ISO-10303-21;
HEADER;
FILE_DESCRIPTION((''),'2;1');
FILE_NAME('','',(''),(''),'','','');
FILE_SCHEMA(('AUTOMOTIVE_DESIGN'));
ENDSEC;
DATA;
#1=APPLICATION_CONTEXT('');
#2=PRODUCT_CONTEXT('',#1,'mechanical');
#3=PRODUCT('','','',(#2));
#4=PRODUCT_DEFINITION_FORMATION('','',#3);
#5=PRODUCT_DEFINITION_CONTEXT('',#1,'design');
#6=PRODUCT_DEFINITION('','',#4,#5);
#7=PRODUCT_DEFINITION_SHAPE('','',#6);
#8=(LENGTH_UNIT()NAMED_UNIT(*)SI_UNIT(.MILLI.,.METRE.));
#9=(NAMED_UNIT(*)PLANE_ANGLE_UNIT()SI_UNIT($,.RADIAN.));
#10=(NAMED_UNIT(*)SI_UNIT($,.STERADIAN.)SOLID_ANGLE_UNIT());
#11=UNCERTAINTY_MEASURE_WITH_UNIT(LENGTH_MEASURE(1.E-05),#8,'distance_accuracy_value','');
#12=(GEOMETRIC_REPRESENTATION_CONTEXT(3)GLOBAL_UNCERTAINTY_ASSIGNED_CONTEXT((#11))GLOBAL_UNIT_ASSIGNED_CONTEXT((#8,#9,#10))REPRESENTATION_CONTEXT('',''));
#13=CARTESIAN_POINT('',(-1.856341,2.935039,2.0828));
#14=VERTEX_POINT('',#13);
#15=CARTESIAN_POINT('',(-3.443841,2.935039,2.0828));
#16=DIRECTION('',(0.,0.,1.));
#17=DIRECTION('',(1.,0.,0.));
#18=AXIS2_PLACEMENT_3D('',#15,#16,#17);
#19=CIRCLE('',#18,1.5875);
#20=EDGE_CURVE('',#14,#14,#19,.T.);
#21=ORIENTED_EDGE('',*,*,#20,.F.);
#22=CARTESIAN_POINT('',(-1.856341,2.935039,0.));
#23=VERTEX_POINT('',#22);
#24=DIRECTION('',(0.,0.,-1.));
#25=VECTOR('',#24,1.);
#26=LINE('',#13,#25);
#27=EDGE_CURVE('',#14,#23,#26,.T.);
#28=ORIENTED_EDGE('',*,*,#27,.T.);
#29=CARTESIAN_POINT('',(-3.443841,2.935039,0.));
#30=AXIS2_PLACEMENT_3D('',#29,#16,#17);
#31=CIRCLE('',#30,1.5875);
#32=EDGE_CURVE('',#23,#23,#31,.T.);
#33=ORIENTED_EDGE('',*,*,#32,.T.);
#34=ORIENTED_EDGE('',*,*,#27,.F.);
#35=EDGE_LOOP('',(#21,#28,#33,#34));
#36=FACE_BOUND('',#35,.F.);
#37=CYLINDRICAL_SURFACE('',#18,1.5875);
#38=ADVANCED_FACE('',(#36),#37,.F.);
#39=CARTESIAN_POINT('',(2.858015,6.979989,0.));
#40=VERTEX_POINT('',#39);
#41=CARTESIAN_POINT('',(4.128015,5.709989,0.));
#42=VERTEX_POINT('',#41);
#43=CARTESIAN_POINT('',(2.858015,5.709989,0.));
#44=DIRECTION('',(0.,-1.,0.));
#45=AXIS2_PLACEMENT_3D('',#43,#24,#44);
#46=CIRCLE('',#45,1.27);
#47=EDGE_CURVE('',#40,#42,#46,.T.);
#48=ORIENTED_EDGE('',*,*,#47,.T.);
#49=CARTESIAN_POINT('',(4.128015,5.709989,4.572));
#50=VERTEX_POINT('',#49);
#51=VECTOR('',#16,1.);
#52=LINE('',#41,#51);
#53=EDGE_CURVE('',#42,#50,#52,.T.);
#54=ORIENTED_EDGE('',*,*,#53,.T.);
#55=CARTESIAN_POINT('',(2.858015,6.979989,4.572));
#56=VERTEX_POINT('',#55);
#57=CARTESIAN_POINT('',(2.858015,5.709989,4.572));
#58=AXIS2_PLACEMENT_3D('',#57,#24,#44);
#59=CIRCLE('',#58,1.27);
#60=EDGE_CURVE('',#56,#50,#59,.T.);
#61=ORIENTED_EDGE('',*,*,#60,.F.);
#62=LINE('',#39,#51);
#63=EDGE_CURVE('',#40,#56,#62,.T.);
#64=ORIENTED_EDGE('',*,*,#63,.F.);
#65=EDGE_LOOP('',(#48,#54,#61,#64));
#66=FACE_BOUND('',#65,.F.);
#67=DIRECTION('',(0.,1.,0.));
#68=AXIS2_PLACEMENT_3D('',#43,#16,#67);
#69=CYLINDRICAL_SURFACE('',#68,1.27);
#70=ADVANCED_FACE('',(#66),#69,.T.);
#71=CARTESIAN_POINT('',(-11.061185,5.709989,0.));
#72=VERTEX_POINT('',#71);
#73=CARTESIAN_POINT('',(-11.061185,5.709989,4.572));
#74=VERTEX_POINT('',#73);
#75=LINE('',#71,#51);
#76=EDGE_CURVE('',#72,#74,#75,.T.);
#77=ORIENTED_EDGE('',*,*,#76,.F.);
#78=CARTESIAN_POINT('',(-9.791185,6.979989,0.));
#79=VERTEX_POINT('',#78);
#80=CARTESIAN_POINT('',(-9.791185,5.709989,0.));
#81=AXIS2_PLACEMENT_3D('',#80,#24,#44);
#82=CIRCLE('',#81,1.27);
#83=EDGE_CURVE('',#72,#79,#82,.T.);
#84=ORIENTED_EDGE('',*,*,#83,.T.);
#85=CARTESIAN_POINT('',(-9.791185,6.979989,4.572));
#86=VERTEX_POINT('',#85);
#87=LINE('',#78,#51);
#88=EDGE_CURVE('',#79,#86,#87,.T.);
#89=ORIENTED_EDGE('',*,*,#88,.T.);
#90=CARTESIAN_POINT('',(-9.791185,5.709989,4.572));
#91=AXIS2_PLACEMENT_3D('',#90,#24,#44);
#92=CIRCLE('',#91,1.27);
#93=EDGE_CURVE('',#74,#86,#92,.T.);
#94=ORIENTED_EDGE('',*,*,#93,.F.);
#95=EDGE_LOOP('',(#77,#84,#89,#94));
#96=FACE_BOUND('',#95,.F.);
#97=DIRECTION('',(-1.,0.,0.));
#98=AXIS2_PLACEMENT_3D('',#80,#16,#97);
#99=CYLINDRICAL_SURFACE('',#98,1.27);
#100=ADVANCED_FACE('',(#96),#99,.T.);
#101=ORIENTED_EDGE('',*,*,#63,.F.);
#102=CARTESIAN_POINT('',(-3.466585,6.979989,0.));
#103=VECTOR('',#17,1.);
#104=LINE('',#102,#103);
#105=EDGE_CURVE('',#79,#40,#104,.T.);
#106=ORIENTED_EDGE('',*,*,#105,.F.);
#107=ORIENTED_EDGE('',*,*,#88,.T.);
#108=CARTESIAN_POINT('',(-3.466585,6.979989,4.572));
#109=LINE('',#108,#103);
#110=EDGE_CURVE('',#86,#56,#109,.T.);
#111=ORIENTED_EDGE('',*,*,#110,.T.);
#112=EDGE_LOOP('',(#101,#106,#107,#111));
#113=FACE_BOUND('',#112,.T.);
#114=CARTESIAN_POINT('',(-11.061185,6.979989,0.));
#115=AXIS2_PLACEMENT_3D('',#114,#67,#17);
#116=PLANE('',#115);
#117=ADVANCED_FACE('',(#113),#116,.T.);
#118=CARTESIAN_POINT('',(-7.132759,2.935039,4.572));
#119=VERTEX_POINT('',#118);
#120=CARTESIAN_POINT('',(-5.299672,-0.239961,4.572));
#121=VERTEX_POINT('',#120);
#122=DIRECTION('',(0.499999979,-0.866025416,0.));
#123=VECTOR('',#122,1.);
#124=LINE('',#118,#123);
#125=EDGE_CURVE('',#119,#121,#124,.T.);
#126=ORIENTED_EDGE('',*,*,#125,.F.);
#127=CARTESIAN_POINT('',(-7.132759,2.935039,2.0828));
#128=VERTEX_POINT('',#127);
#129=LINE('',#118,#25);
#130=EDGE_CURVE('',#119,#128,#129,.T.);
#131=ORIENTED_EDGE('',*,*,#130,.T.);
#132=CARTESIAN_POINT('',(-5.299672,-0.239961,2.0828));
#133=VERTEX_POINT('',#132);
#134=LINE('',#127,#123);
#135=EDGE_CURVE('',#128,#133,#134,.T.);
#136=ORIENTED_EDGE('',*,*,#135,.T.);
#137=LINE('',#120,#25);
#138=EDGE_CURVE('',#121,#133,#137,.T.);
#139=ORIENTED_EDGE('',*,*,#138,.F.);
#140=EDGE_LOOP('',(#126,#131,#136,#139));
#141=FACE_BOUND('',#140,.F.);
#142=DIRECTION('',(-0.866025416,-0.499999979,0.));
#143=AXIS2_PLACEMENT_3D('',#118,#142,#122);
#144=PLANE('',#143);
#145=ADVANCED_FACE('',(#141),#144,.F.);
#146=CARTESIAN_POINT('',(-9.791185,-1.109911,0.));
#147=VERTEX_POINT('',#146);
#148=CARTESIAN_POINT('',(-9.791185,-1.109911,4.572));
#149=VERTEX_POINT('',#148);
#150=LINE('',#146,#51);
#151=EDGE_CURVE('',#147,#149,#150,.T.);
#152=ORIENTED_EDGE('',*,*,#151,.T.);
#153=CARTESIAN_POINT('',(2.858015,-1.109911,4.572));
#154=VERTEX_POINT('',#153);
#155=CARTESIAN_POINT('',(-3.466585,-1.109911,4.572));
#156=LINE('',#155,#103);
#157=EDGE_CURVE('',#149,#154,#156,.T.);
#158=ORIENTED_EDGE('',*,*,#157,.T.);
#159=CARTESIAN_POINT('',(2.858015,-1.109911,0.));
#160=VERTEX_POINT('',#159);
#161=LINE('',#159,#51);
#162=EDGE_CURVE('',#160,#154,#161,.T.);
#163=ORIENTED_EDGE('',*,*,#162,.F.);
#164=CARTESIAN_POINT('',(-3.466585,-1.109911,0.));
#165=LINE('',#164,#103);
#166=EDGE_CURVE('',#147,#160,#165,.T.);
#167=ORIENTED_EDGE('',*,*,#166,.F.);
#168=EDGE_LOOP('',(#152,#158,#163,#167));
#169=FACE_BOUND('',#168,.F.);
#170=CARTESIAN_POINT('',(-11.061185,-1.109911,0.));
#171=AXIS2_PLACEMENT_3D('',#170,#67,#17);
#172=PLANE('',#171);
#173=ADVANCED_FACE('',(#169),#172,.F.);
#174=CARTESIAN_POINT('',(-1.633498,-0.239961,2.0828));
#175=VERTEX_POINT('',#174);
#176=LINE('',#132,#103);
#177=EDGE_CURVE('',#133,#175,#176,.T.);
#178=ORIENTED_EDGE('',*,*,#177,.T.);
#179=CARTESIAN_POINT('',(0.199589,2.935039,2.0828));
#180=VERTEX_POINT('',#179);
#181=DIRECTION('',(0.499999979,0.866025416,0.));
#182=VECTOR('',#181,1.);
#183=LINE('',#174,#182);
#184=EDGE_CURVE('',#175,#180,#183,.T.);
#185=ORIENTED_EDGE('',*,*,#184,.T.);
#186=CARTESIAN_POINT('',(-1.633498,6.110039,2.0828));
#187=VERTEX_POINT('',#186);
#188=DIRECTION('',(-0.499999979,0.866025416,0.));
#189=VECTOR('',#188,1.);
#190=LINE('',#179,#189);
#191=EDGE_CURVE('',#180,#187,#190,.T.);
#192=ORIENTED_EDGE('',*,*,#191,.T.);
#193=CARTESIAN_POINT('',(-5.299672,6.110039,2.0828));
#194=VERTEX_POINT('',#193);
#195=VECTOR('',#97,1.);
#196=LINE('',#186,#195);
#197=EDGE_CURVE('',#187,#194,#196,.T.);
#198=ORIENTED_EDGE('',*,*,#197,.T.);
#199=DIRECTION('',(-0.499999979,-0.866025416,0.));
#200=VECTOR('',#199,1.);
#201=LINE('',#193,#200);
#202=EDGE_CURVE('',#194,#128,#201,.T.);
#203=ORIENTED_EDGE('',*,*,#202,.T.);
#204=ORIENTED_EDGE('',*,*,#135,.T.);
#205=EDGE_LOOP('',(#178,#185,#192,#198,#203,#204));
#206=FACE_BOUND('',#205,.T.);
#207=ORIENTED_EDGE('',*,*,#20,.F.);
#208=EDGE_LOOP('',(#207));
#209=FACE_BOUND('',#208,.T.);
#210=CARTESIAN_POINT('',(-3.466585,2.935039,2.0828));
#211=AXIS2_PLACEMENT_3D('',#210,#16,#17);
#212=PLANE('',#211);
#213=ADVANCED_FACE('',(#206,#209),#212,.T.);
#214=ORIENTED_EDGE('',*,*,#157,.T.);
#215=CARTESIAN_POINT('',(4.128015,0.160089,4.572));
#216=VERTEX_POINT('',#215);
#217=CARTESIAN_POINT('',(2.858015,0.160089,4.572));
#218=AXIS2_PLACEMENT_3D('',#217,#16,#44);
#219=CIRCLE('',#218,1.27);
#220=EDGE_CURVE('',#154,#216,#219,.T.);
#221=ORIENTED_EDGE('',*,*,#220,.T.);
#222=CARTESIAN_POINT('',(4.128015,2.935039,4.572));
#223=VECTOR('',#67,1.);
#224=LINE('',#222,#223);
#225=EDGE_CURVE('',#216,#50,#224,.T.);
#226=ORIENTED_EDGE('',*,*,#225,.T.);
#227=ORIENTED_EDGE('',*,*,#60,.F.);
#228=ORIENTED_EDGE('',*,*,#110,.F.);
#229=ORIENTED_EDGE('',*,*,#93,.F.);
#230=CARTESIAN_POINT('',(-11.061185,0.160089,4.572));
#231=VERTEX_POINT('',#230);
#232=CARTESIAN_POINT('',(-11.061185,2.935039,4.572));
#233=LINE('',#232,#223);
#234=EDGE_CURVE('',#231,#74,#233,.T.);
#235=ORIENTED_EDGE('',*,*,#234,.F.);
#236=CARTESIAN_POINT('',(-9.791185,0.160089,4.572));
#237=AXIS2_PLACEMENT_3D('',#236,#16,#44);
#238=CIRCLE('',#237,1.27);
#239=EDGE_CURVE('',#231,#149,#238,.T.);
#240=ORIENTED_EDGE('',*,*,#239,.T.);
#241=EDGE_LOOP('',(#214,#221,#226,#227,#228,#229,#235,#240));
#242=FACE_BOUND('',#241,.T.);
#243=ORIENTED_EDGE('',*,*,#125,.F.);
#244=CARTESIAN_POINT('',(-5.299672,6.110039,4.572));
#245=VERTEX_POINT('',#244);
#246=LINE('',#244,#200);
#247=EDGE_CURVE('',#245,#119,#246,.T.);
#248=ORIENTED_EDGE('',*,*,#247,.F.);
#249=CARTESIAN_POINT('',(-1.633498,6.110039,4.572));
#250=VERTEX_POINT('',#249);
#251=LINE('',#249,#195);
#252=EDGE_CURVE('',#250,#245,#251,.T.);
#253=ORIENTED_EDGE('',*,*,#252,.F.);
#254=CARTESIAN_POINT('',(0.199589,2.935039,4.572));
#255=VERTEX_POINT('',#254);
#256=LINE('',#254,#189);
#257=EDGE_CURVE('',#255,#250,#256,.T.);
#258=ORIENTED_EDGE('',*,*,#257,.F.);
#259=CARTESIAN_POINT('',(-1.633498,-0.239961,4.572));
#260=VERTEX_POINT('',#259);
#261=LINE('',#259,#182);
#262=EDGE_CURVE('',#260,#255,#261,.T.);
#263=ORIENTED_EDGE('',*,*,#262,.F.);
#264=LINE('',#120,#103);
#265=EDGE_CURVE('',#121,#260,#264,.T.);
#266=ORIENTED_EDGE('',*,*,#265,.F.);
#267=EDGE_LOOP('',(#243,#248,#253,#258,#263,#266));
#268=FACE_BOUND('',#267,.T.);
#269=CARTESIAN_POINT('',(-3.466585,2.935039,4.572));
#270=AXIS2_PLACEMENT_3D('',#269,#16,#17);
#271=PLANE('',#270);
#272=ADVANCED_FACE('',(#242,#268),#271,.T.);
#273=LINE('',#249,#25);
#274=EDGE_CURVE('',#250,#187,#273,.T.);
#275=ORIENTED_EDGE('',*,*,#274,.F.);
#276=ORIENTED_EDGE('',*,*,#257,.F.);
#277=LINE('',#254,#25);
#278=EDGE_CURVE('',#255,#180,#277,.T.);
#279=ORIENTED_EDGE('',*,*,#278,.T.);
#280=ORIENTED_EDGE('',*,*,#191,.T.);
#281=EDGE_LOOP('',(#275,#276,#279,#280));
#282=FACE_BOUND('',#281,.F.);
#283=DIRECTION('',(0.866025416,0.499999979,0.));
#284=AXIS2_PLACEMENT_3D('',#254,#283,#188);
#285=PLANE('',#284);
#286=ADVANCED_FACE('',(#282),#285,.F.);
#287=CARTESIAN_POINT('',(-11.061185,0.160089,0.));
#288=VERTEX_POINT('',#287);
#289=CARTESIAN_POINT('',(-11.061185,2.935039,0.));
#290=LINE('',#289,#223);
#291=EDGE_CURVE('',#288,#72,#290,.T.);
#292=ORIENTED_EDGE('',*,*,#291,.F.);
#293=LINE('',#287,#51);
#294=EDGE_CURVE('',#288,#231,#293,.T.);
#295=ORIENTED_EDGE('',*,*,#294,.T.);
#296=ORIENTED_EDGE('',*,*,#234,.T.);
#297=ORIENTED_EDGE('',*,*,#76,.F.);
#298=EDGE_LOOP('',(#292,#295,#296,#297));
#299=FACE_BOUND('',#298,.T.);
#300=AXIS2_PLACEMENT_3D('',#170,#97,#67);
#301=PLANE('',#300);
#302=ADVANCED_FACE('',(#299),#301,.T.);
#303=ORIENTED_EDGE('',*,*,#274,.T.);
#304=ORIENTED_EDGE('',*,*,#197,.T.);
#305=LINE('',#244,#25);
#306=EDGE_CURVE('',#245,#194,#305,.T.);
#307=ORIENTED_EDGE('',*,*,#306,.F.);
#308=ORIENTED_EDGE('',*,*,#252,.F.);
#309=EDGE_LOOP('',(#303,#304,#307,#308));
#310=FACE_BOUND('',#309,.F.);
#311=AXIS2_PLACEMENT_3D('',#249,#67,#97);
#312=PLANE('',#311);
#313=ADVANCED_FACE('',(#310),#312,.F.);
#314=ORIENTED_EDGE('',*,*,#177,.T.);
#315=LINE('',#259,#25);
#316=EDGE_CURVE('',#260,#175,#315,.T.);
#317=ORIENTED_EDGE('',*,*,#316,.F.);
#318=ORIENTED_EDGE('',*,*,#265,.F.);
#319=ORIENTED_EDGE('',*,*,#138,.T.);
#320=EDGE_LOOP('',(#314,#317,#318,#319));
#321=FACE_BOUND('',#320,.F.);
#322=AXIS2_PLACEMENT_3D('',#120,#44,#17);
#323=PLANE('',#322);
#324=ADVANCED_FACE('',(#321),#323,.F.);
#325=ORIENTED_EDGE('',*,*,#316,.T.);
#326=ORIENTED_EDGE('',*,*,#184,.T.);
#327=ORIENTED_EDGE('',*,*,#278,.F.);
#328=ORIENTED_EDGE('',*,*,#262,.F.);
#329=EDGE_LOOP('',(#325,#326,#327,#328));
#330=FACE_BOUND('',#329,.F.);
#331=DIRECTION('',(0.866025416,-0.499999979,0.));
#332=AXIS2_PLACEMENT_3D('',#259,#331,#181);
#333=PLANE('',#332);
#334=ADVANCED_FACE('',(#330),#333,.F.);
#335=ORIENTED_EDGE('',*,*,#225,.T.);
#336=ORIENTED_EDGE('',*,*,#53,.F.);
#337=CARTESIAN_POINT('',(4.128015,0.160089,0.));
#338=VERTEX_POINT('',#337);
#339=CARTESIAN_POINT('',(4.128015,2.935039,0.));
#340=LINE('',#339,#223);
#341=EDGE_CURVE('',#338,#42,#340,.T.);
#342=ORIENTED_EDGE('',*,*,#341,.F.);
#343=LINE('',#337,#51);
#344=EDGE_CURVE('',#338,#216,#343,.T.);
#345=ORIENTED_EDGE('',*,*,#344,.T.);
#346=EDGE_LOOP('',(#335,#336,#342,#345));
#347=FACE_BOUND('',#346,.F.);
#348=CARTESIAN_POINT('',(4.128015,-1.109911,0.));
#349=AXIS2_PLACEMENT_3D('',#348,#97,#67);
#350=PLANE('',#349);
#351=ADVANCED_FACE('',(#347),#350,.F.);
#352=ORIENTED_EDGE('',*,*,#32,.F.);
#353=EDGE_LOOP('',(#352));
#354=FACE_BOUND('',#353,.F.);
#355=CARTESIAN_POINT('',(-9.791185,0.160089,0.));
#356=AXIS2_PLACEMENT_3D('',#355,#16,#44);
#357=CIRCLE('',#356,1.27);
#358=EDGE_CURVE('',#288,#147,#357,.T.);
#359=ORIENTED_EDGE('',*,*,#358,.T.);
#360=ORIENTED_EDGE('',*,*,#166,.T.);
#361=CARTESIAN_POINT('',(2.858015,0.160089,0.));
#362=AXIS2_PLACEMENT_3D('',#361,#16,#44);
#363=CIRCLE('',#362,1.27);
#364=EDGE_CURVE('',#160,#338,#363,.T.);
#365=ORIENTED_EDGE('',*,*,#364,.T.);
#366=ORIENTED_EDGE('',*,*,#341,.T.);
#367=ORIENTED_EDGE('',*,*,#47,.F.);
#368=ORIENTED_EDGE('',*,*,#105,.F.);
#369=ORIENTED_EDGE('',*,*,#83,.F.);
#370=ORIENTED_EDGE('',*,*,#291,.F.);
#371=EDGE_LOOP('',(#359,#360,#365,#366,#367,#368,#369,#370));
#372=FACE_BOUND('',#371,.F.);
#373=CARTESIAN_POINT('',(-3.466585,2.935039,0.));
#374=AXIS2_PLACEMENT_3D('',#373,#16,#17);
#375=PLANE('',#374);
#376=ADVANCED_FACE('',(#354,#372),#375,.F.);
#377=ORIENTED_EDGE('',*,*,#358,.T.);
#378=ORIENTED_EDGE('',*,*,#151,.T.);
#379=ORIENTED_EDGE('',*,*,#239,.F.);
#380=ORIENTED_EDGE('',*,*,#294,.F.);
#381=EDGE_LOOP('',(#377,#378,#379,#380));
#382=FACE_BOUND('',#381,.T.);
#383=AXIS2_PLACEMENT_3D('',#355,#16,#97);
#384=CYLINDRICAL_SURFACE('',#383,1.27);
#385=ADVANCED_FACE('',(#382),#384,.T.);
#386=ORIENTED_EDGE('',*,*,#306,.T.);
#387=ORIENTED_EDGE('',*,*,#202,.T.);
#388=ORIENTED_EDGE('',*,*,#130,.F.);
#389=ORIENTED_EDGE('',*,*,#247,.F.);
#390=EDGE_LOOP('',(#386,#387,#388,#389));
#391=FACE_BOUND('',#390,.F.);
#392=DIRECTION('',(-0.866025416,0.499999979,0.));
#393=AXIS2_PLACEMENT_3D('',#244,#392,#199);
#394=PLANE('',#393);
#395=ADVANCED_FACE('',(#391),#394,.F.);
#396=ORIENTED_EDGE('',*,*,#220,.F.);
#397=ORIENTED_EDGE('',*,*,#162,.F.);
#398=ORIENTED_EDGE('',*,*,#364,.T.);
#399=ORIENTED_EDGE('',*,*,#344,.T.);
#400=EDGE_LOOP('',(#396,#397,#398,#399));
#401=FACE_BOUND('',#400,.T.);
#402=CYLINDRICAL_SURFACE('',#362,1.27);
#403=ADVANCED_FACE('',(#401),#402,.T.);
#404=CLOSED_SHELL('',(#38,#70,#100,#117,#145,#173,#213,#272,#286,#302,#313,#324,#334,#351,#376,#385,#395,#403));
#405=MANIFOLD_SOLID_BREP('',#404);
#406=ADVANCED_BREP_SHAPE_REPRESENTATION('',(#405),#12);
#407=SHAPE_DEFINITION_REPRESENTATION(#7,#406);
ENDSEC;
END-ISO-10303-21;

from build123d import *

# Parameters (mm, degrees)
F0_W     = 15.1892
F0_H     = 8.0899
F1_DEPTH = 4.572
F3_DEPTH = 2.4892
F4_R     = 1.5875
F5_DEPTH = 25.4
F6_R     = 1.27


with BuildPart() as f1:
    # F0 (on Top) → F1 (new body)
    with BuildSketch(Plane.XY):
        with Locations((-3.466585, 2.935039)):
            Rectangle(F0_W, F0_H)
    extrude(amount=F1_DEPTH)

    # F2 (on face) → F3 (cut)
    with BuildSketch(Plane.XY.offset(4.572)):
        Polygon((-1.633498, -0.239961), (0.199589, 2.935039), (-1.633498, 6.110039), (-5.299672, 6.110039), (-7.132759, 2.935039), (-5.299672, -0.239961), align=None)
    extrude(amount=-F3_DEPTH, mode=Mode.SUBTRACT)

    # F4 (on face) → F5 (cut)
    with BuildSketch(Plane.XY.offset(2.0828)):
        with Locations((-3.443841, 2.935039)):
            Circle(F4_R)
    extrude(amount=-F5_DEPTH, mode=Mode.SUBTRACT)

    # F6
    f6_edges = [f1.edges().sort_by_distance(p)[0] for p in [
        (4.128015, -1.109911, 2.286),
        (-11.061185, -1.109911, 2.286),
        (-11.061185, 6.979989, 2.286),
        (4.128015, 6.979989, 2.286),
    ]]
    fillet(f6_edges, radius=F6_R)


solid = f1.part
